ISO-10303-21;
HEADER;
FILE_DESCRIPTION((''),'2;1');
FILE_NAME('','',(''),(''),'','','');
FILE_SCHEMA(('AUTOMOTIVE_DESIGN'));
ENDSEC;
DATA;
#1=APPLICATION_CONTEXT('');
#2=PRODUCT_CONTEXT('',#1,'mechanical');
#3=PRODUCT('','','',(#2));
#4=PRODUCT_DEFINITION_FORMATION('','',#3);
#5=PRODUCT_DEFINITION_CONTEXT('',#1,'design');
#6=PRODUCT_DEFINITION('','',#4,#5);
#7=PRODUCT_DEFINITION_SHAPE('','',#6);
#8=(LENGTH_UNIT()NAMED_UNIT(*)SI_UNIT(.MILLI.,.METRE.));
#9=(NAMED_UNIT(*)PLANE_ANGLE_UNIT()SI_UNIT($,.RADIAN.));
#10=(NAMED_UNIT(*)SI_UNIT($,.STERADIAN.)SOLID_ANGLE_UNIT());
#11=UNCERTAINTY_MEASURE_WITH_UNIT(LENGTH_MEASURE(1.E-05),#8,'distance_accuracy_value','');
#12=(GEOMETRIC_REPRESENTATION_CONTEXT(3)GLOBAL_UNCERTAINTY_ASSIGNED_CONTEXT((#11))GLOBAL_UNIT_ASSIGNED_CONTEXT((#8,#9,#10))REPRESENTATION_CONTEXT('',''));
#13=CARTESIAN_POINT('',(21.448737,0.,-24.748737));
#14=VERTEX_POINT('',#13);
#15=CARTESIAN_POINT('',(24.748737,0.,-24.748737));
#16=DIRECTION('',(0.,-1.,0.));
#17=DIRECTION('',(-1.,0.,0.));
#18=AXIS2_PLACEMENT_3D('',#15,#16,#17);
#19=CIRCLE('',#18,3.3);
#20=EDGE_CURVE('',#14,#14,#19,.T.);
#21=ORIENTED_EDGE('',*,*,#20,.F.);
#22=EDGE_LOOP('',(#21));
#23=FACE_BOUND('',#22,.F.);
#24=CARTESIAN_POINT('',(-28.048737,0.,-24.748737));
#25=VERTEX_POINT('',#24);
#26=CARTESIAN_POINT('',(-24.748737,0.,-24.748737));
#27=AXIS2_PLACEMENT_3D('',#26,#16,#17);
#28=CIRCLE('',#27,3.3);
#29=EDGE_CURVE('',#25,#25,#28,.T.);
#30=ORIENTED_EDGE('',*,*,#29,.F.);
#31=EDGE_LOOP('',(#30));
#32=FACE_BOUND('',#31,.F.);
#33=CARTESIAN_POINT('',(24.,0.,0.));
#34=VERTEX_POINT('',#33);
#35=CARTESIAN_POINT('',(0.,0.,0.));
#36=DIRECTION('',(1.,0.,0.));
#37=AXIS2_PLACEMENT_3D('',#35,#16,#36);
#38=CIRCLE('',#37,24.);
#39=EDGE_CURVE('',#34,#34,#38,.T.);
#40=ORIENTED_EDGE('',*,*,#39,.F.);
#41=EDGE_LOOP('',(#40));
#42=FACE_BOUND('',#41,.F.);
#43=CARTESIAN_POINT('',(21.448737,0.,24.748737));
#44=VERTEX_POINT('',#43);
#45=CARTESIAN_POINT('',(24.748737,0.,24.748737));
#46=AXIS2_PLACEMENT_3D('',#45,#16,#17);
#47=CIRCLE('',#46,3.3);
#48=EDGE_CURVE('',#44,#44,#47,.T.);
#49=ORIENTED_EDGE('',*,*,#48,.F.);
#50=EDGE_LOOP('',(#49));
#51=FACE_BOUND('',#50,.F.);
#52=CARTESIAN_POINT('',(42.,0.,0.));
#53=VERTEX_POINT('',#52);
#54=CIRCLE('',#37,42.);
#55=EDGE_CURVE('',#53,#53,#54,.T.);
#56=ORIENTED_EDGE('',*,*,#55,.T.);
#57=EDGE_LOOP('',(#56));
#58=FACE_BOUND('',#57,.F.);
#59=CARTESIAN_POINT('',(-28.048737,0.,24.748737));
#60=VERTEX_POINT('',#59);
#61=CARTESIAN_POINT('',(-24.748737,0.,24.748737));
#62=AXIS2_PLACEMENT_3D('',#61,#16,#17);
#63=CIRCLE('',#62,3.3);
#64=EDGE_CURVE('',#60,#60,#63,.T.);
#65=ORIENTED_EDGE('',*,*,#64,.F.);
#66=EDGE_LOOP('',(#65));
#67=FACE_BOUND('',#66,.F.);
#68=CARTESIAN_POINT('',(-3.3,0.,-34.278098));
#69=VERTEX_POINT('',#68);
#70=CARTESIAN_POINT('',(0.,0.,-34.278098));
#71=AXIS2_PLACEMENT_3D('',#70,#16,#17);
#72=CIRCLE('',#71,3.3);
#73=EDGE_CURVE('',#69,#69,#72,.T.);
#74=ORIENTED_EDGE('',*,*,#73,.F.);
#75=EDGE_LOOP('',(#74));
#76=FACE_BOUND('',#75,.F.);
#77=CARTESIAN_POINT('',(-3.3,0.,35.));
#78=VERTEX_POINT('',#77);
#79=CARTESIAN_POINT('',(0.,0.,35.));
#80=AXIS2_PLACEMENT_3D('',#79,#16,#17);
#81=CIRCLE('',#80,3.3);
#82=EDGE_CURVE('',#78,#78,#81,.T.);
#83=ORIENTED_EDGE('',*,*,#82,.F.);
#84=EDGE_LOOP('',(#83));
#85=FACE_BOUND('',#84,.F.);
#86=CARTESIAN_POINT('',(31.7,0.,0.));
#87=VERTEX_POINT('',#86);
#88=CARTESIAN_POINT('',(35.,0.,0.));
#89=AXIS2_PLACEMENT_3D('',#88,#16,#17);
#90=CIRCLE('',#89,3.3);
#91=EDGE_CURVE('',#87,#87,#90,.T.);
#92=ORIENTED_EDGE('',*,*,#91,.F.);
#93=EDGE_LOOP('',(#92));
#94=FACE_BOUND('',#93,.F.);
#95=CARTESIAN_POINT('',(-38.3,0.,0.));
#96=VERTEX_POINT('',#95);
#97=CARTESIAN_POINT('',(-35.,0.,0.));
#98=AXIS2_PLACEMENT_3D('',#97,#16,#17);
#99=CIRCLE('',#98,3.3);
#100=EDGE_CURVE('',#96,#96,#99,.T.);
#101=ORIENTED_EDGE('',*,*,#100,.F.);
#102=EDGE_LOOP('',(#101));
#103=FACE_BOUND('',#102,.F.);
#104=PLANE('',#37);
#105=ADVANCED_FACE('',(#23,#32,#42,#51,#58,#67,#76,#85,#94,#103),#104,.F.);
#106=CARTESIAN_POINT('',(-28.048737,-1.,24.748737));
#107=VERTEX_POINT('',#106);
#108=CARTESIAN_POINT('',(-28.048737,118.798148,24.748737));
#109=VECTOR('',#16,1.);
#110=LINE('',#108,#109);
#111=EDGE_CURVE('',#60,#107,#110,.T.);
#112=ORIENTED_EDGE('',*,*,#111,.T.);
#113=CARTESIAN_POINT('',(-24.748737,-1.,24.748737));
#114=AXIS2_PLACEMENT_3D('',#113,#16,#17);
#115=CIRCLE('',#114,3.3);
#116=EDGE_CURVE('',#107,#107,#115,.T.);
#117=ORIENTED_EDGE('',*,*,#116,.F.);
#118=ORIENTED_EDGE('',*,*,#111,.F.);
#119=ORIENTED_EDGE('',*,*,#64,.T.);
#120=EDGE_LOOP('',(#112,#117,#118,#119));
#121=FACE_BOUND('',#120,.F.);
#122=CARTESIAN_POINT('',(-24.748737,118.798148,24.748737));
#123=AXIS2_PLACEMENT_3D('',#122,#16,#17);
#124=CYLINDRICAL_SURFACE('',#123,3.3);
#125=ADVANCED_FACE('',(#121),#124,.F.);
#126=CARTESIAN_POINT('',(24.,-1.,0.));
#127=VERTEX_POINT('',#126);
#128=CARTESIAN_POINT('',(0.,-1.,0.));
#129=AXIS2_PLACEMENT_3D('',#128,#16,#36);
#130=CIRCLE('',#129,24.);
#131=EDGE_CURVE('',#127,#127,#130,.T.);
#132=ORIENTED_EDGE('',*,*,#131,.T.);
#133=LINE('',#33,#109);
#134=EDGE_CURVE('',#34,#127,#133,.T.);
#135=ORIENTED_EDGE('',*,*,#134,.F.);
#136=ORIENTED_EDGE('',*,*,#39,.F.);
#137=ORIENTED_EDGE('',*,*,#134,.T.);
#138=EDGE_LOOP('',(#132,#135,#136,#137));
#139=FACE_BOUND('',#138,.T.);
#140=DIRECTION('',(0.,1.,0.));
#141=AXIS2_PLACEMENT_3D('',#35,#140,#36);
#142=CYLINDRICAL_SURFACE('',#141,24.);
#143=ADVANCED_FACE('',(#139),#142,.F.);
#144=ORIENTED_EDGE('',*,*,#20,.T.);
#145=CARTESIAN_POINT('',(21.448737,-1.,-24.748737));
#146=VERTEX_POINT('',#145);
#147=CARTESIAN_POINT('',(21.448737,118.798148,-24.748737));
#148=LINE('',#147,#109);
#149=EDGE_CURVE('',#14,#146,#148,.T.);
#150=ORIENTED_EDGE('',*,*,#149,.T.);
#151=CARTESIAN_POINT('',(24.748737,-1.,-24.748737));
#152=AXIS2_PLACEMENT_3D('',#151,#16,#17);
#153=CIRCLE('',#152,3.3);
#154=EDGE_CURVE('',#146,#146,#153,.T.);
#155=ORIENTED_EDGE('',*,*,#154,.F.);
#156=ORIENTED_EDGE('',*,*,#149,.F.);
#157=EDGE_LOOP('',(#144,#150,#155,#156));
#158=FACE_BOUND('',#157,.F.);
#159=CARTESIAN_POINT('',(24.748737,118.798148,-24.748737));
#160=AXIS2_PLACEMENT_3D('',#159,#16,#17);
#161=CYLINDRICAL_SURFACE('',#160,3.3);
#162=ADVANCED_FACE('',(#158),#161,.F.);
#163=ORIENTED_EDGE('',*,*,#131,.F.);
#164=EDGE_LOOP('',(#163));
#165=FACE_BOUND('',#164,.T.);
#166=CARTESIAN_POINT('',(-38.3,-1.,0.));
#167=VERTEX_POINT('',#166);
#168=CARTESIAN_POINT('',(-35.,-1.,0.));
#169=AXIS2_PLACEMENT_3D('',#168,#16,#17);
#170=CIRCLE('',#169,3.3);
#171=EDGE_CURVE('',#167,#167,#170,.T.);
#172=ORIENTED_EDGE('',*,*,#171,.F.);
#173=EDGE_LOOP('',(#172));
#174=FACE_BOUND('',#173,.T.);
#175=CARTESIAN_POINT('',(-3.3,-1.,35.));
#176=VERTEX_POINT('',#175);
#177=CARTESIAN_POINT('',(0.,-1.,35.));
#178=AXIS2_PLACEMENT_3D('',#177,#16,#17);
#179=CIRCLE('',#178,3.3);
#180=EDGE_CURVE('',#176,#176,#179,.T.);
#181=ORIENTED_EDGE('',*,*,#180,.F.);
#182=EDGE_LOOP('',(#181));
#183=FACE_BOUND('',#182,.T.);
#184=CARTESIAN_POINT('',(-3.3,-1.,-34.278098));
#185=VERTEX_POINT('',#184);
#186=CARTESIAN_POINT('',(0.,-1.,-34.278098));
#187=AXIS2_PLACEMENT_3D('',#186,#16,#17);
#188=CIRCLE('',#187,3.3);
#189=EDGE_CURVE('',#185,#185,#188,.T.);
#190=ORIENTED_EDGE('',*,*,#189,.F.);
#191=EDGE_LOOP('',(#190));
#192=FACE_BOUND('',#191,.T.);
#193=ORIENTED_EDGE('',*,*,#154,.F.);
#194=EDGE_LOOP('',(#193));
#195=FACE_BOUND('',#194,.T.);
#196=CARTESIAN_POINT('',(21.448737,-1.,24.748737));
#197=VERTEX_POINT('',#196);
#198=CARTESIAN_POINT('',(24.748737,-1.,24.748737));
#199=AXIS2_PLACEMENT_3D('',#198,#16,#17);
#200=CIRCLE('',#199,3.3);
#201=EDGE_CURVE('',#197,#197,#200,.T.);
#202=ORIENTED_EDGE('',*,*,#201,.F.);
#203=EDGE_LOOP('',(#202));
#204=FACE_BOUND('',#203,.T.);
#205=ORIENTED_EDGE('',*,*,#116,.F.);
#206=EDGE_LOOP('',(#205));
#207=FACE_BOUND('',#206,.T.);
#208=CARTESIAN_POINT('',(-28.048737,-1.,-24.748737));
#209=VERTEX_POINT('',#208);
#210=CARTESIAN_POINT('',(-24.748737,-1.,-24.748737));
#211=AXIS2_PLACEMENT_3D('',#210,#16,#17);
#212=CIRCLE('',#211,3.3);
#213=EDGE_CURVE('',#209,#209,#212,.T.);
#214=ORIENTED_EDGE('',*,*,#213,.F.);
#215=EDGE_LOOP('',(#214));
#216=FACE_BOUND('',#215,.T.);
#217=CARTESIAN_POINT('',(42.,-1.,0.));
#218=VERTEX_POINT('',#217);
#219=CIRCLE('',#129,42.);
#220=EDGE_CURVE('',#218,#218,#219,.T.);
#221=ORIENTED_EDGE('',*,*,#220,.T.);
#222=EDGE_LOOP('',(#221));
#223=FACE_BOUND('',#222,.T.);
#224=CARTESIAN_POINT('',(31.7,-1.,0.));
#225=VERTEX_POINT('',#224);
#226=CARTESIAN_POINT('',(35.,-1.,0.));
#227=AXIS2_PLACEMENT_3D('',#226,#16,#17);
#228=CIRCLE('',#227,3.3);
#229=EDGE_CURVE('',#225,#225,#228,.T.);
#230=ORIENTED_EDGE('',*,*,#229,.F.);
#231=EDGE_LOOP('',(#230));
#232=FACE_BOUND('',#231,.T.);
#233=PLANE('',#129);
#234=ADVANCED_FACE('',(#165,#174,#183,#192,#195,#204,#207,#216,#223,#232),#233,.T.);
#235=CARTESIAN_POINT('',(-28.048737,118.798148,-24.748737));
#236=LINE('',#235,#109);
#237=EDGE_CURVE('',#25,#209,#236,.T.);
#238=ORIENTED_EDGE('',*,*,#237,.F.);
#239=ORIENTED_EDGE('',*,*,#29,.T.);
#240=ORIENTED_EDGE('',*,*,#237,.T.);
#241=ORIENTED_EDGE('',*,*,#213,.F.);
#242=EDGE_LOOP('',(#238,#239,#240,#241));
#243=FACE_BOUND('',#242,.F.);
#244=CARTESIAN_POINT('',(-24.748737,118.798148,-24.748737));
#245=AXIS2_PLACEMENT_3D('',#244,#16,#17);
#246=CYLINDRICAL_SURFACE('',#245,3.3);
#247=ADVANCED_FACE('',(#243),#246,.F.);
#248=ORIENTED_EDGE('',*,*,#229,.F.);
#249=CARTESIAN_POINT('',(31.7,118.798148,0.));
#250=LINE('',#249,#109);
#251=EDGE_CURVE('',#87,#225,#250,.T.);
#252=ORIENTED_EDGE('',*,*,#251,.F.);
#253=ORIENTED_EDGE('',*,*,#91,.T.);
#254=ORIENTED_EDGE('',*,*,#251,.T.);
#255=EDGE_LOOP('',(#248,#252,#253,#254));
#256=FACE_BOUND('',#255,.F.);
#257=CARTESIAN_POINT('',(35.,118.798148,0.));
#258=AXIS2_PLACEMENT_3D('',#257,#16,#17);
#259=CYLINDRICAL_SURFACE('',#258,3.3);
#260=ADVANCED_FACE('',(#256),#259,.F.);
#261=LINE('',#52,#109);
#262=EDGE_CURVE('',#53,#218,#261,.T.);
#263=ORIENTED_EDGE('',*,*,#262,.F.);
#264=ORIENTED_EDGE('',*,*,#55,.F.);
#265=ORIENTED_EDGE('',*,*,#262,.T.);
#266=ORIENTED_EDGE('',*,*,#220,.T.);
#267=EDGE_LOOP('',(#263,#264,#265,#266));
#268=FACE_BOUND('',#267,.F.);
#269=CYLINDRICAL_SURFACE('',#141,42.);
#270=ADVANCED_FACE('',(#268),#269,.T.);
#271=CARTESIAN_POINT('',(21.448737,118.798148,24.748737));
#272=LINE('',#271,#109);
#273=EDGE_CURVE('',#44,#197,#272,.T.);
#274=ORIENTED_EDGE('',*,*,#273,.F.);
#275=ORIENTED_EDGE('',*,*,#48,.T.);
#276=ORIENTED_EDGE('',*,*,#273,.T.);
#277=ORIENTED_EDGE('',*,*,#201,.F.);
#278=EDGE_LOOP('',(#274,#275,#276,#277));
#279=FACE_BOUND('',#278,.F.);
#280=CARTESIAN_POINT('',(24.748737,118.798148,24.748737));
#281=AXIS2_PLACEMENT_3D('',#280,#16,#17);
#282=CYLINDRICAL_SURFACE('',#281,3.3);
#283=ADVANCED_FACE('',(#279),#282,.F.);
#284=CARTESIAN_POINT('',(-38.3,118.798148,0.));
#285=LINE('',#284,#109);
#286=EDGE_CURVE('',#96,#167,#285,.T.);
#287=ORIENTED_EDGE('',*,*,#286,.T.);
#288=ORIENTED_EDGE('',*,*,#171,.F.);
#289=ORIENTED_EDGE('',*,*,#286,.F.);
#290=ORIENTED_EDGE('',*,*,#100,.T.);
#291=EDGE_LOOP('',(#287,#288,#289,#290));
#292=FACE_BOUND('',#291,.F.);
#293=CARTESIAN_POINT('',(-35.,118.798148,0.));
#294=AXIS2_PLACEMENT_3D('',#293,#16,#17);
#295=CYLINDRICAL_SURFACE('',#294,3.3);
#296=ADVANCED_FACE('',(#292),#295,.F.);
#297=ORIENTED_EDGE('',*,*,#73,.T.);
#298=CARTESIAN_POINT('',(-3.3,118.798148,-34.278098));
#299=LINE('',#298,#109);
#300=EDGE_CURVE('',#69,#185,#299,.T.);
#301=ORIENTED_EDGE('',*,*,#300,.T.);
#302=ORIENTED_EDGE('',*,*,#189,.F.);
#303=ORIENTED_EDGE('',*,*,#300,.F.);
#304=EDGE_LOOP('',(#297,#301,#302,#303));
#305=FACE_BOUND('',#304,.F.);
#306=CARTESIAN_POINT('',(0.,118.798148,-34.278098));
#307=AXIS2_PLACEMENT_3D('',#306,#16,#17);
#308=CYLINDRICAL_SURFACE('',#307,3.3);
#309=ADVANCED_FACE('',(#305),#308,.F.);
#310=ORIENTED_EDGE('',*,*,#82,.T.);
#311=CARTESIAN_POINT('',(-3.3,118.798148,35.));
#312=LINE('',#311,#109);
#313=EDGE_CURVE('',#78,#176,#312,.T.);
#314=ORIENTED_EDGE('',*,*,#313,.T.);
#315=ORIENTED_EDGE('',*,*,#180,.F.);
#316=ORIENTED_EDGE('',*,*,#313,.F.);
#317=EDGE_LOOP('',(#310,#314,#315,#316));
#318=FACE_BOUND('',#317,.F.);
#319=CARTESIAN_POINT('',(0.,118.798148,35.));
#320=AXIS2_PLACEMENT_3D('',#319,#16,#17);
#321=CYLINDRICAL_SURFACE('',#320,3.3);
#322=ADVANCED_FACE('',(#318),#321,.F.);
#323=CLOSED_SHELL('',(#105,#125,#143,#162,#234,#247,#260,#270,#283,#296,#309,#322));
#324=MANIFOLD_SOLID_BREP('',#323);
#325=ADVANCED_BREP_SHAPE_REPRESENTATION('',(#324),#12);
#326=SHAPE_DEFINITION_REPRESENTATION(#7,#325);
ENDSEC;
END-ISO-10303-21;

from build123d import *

# Parameters (mm, degrees)
F0_R     = 42
F0_R_2   = 3.3
F0_R_3   = 24
F1_DEPTH = 1
F2_D     = 6.6


with BuildPart() as f1:
    # F0 (on Front) → F1 (new body)
    with BuildSketch(Plane.XZ):
        Circle(F0_R)
        with Locations((-24.7487373415, -24.7487373415)):
            Circle(F0_R_2, mode=Mode.SUBTRACT)
        with Locations((0, -34.2780984938)):
            Circle(F0_R_2, mode=Mode.SUBTRACT)
        with Locations((24.7487373415, -24.7487373415)):
            Circle(F0_R_2, mode=Mode.SUBTRACT)
        with Locations((-35, 0)):
            Circle(F0_R_2, mode=Mode.SUBTRACT)
        with Locations((-24.7487373415, 24.7487373415)):
            Circle(F0_R_2, mode=Mode.SUBTRACT)
        Circle(F0_R_3, mode=Mode.SUBTRACT)
        with Locations((35, 0)):
            Circle(F0_R_2, mode=Mode.SUBTRACT)
        with Locations((0, 35)):
            Circle(F0_R_2, mode=Mode.SUBTRACT)
        with Locations((24.7487373415, 24.7487373415)):
            Circle(F0_R_2, mode=Mode.SUBTRACT)
        with Locations((0, 35)):
            Circle(F0_R_2)
        with Locations((-24.7487373415, 24.7487373415)):
            Circle(F0_R_2)
        with Locations((-24.7487373415, -24.7487373415)):
            Circle(F0_R_2)
        with Locations((-35, 0)):
            Circle(F0_R_2)
        with Locations((0, -34.2780984938)):
            Circle(F0_R_2)
        with Locations((24.7487373415, -24.7487373415)):
            Circle(F0_R_2)
        with Locations((35, 0)):
            Circle(F0_R_2)
        with Locations((24.7487373415, 24.7487373415)):
            Circle(F0_R_2)
    extrude(amount=F1_DEPTH)

    # F2 (through all)
    with Locations(Plane(origin=(0, 0, 0), x_dir=(1, 0, 0), z_dir=(0, 1, 0))):
        with Locations((24.7487373415, -24.7487373415), (35, 0), (24.7487373415, 24.7487373415), (0, 34.2780984938), (-24.7487373415, 24.7487373415), (-35, 0), (-24.7487373415, -24.7487373415), (0, -35)):
            Hole(F2_D / 2)


solid = f1.part
